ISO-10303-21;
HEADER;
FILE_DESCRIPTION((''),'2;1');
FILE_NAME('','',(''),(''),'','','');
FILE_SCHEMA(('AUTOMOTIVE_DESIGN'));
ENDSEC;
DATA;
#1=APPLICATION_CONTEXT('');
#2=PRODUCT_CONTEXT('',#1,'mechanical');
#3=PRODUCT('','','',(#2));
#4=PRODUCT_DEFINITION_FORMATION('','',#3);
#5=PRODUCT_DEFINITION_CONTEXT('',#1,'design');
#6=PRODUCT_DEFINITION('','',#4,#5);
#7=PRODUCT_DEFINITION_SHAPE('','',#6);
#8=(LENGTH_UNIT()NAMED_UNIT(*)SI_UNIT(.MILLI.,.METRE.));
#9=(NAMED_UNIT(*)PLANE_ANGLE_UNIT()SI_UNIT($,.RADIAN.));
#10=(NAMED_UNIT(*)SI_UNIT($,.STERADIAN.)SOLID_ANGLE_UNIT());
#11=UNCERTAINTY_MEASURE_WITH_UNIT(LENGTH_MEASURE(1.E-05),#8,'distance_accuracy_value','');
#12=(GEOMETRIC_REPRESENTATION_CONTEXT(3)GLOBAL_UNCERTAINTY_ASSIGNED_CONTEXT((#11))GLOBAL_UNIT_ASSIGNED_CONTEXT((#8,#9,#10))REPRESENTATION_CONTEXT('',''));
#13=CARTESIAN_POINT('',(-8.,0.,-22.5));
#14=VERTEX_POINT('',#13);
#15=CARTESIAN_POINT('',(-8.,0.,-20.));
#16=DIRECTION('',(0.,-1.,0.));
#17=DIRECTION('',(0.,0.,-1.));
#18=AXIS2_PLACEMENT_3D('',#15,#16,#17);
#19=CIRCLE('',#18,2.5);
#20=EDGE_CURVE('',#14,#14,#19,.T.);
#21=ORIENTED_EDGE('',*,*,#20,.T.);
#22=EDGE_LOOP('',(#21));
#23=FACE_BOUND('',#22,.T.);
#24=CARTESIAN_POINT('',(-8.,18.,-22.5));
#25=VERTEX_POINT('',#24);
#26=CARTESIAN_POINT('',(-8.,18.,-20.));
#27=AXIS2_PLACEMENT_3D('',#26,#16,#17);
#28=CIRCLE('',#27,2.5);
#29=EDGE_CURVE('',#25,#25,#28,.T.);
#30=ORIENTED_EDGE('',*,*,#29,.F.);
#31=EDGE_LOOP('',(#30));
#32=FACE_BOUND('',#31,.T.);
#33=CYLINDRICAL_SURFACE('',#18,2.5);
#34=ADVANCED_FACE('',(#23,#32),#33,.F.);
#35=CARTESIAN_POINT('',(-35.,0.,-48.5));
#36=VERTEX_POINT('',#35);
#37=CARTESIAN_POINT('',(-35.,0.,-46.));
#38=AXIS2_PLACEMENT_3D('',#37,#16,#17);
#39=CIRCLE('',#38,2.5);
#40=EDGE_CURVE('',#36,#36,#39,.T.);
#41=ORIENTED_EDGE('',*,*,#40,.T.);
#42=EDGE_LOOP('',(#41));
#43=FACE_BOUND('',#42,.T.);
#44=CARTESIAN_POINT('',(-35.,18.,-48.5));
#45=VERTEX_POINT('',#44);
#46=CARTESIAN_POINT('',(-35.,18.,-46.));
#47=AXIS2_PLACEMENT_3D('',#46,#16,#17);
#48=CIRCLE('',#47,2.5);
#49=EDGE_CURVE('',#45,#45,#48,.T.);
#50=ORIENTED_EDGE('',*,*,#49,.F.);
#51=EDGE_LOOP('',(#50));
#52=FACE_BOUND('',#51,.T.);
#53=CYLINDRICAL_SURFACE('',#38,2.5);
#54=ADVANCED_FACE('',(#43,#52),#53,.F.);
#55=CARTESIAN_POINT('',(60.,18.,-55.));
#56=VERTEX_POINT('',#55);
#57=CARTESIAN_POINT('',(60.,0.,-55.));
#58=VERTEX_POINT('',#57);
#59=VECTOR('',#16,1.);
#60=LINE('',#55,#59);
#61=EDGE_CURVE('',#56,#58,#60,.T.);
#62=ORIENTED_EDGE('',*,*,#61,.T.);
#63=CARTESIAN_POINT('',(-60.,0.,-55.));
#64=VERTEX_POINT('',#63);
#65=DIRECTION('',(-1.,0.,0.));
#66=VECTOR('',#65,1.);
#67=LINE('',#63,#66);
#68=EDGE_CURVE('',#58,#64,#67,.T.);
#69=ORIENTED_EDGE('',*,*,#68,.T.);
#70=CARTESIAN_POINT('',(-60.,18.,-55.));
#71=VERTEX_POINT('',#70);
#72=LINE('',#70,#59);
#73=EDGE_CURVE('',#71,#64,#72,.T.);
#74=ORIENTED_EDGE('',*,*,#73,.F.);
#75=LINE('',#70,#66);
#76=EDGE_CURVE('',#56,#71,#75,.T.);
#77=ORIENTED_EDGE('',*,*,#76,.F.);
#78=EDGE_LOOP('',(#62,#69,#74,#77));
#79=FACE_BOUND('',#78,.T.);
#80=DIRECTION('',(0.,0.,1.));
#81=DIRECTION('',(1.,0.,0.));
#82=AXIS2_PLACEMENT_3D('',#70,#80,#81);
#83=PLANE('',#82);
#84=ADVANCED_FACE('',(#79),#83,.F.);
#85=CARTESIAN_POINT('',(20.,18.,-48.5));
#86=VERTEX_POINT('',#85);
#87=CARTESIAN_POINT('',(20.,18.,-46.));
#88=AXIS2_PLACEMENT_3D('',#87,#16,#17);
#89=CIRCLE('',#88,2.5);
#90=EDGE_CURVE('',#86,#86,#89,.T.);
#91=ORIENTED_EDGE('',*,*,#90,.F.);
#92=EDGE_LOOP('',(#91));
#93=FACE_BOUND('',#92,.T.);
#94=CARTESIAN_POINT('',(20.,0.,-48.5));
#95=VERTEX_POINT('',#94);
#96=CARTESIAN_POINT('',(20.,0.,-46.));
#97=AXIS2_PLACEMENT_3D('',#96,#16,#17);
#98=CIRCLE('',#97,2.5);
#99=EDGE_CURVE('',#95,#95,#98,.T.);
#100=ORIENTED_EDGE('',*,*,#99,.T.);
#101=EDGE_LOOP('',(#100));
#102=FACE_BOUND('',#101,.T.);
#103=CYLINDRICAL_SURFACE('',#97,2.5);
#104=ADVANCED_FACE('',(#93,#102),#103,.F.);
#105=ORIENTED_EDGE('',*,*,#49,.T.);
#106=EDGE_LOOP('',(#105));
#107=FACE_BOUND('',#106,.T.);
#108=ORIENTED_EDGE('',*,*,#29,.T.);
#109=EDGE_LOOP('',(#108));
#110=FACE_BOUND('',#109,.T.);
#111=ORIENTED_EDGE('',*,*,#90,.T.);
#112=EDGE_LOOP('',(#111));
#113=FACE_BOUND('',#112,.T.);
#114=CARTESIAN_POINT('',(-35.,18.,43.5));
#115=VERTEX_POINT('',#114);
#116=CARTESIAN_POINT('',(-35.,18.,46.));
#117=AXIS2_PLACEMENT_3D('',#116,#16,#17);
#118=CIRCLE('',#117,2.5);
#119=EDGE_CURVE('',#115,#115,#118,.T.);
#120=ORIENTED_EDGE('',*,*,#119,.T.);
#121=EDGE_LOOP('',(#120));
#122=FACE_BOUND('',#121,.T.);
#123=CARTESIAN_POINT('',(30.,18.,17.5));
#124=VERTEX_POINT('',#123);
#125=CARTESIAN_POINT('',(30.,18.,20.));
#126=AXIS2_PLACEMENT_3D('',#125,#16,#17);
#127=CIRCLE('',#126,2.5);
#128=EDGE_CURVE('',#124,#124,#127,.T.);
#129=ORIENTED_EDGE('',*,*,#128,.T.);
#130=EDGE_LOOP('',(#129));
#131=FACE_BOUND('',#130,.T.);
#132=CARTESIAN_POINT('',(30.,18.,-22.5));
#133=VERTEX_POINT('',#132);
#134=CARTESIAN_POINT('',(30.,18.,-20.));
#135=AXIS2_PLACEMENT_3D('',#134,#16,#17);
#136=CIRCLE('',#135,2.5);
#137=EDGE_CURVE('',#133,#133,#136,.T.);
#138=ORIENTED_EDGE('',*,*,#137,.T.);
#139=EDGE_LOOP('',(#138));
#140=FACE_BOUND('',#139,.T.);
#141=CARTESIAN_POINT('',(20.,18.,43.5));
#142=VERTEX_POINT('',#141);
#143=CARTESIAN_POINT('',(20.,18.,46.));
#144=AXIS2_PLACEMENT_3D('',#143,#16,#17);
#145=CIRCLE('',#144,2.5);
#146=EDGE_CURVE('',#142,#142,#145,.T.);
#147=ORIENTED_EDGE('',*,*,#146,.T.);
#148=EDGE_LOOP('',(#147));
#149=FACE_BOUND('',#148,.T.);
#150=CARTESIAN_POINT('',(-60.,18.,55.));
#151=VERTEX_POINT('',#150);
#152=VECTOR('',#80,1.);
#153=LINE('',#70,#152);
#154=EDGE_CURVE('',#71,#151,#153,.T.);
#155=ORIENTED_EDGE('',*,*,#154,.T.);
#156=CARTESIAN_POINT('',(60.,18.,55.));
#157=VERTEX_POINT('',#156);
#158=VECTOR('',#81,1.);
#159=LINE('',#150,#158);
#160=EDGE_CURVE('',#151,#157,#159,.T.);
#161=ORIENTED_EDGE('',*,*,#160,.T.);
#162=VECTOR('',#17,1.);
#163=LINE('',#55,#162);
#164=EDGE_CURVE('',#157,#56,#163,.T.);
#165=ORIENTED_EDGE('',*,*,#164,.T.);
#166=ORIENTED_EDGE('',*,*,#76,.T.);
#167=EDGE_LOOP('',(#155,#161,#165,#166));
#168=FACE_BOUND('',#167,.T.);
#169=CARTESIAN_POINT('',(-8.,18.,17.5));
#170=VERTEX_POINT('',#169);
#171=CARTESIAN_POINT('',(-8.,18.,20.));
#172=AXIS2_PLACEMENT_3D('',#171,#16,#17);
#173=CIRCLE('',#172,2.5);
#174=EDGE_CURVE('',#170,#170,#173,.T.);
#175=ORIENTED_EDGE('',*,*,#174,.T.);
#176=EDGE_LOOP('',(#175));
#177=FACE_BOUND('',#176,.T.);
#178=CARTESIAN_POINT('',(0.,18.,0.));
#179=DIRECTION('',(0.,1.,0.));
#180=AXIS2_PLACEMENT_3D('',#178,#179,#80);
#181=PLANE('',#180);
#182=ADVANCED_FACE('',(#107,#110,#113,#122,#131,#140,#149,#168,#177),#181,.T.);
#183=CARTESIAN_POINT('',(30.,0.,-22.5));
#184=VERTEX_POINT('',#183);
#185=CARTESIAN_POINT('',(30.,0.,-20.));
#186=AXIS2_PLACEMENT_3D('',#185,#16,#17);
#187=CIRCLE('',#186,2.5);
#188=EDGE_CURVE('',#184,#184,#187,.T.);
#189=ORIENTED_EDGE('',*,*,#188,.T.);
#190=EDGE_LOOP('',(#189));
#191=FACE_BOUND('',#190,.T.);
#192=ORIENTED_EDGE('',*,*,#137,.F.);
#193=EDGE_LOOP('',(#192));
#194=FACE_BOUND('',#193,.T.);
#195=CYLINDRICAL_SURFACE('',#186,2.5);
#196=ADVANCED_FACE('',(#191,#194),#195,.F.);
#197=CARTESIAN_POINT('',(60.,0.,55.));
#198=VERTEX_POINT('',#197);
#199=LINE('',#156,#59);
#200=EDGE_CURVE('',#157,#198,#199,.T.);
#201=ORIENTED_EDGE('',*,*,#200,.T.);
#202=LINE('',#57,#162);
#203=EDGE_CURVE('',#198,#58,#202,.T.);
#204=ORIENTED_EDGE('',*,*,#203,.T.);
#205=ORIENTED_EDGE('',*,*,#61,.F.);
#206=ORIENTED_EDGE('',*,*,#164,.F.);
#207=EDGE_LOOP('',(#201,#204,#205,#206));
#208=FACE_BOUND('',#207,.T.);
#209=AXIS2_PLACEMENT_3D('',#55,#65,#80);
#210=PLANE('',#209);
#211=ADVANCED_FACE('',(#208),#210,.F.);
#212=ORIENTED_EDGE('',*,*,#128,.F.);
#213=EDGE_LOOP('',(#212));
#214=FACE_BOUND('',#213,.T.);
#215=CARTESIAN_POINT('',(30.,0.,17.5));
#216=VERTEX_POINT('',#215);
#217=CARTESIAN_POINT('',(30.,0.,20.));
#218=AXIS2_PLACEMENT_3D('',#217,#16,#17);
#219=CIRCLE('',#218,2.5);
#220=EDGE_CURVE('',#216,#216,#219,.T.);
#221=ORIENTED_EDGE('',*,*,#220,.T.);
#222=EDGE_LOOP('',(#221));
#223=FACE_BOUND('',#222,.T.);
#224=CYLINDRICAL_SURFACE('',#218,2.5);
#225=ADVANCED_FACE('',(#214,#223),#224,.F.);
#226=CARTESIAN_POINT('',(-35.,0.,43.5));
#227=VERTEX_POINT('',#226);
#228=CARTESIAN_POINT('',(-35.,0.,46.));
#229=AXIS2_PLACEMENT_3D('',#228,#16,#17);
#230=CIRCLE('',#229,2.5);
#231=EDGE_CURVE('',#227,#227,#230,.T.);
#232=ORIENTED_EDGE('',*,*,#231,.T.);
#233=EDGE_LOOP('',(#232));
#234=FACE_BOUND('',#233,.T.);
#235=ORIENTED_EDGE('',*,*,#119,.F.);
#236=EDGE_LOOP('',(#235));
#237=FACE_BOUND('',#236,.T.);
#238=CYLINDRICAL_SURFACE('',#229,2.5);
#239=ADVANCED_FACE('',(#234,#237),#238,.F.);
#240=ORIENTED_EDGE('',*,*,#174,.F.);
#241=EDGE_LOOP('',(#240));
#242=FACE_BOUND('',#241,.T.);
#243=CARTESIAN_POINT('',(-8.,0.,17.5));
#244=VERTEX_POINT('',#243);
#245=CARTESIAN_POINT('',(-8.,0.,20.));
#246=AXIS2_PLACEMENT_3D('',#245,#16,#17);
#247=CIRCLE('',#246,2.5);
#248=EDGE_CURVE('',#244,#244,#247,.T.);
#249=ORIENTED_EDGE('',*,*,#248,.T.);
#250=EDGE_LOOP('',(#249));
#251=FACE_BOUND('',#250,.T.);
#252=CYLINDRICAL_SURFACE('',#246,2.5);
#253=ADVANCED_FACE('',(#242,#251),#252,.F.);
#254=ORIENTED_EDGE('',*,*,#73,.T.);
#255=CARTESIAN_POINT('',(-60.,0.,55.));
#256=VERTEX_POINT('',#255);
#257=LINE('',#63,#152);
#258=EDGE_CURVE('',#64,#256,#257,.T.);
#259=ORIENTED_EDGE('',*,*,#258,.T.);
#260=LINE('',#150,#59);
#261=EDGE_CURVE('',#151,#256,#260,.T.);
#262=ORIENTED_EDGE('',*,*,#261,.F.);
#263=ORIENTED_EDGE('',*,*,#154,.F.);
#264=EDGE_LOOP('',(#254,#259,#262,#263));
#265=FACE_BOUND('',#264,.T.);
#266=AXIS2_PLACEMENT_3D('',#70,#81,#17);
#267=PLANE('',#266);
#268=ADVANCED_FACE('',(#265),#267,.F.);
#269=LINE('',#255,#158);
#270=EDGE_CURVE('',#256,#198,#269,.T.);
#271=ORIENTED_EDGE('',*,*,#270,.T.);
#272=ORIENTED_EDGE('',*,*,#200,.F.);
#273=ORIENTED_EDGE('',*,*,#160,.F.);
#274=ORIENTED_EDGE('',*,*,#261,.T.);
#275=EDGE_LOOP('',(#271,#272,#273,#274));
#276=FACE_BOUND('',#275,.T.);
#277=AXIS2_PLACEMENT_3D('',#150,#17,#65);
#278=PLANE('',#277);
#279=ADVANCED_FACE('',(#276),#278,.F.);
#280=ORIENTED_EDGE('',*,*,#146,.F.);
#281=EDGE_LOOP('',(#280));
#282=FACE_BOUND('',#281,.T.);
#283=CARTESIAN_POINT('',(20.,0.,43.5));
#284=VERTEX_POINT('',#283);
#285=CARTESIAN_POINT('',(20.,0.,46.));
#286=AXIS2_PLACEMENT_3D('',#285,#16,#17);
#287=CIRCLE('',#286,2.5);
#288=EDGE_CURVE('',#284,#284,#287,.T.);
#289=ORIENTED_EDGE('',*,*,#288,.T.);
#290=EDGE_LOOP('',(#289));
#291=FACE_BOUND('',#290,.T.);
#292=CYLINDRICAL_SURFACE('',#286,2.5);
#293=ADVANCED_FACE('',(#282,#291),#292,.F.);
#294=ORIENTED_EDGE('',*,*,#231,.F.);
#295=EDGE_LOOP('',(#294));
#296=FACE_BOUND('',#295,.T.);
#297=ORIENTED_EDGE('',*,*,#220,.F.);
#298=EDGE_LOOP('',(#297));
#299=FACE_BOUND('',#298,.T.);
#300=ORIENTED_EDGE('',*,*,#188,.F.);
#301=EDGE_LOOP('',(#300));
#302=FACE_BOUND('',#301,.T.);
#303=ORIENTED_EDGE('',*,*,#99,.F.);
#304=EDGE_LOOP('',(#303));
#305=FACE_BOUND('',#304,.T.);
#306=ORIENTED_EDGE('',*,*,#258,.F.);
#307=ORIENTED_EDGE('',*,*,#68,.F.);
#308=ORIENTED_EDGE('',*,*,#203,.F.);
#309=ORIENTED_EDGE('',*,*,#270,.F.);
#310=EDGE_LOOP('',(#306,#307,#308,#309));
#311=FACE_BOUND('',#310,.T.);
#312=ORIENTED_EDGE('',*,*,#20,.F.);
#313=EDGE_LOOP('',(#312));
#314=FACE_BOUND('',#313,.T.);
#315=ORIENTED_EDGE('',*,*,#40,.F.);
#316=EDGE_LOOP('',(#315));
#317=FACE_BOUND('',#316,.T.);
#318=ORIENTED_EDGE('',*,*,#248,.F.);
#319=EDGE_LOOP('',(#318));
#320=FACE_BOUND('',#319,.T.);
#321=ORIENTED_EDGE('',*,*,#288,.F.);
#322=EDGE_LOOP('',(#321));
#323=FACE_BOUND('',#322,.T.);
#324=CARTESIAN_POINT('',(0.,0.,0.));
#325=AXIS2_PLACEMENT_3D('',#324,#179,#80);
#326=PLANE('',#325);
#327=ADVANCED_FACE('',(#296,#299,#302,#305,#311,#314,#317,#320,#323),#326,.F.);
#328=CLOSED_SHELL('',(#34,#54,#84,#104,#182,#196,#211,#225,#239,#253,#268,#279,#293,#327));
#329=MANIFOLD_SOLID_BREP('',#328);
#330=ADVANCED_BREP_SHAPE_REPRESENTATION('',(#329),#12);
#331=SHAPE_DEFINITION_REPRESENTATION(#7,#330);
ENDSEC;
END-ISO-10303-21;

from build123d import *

# Parameters (mm, degrees)
SKETCH1_W                = 120
SKETCH1_H                = 110
BOSS_EXTRUDE1_DEPTH      = 18
F_5_0_5_DIAMETER_HOLE1_D = 5
F_5_0_5_DIAMETER_HOLE3_D = 5


with BuildPart() as part:
    # Sketch1 → Boss-Extrude1 (new body)
    with BuildSketch(Plane(origin=(0, 0, 0), x_dir=(1, 0, 0), z_dir=(0, 1, 0))):
        Rectangle(SKETCH1_W, SKETCH1_H)
    extrude(amount=BOSS_EXTRUDE1_DEPTH)

    # Ø5.0 (5) Diameter Hole1 (through all)
    with Locations(Plane(origin=(0, 0, 0), x_dir=(-1, 0, 0), z_dir=(0, -1, 0))):
        with Locations((-20, 46), (35, 46), (35, -46), (-20, -46)):
            Hole(F_5_0_5_DIAMETER_HOLE1_D / 2)

    # Ø5.0 (5) Diameter Hole3 (through all)
    with Locations(Plane(origin=(0, 0, 0), x_dir=(-1, 0, 0), z_dir=(0, -1, 0))):
        with Locations((8, 20), (-30, 20), (-30, -20), (8, -20)):
            Hole(F_5_0_5_DIAMETER_HOLE3_D / 2)


solid = part.part
